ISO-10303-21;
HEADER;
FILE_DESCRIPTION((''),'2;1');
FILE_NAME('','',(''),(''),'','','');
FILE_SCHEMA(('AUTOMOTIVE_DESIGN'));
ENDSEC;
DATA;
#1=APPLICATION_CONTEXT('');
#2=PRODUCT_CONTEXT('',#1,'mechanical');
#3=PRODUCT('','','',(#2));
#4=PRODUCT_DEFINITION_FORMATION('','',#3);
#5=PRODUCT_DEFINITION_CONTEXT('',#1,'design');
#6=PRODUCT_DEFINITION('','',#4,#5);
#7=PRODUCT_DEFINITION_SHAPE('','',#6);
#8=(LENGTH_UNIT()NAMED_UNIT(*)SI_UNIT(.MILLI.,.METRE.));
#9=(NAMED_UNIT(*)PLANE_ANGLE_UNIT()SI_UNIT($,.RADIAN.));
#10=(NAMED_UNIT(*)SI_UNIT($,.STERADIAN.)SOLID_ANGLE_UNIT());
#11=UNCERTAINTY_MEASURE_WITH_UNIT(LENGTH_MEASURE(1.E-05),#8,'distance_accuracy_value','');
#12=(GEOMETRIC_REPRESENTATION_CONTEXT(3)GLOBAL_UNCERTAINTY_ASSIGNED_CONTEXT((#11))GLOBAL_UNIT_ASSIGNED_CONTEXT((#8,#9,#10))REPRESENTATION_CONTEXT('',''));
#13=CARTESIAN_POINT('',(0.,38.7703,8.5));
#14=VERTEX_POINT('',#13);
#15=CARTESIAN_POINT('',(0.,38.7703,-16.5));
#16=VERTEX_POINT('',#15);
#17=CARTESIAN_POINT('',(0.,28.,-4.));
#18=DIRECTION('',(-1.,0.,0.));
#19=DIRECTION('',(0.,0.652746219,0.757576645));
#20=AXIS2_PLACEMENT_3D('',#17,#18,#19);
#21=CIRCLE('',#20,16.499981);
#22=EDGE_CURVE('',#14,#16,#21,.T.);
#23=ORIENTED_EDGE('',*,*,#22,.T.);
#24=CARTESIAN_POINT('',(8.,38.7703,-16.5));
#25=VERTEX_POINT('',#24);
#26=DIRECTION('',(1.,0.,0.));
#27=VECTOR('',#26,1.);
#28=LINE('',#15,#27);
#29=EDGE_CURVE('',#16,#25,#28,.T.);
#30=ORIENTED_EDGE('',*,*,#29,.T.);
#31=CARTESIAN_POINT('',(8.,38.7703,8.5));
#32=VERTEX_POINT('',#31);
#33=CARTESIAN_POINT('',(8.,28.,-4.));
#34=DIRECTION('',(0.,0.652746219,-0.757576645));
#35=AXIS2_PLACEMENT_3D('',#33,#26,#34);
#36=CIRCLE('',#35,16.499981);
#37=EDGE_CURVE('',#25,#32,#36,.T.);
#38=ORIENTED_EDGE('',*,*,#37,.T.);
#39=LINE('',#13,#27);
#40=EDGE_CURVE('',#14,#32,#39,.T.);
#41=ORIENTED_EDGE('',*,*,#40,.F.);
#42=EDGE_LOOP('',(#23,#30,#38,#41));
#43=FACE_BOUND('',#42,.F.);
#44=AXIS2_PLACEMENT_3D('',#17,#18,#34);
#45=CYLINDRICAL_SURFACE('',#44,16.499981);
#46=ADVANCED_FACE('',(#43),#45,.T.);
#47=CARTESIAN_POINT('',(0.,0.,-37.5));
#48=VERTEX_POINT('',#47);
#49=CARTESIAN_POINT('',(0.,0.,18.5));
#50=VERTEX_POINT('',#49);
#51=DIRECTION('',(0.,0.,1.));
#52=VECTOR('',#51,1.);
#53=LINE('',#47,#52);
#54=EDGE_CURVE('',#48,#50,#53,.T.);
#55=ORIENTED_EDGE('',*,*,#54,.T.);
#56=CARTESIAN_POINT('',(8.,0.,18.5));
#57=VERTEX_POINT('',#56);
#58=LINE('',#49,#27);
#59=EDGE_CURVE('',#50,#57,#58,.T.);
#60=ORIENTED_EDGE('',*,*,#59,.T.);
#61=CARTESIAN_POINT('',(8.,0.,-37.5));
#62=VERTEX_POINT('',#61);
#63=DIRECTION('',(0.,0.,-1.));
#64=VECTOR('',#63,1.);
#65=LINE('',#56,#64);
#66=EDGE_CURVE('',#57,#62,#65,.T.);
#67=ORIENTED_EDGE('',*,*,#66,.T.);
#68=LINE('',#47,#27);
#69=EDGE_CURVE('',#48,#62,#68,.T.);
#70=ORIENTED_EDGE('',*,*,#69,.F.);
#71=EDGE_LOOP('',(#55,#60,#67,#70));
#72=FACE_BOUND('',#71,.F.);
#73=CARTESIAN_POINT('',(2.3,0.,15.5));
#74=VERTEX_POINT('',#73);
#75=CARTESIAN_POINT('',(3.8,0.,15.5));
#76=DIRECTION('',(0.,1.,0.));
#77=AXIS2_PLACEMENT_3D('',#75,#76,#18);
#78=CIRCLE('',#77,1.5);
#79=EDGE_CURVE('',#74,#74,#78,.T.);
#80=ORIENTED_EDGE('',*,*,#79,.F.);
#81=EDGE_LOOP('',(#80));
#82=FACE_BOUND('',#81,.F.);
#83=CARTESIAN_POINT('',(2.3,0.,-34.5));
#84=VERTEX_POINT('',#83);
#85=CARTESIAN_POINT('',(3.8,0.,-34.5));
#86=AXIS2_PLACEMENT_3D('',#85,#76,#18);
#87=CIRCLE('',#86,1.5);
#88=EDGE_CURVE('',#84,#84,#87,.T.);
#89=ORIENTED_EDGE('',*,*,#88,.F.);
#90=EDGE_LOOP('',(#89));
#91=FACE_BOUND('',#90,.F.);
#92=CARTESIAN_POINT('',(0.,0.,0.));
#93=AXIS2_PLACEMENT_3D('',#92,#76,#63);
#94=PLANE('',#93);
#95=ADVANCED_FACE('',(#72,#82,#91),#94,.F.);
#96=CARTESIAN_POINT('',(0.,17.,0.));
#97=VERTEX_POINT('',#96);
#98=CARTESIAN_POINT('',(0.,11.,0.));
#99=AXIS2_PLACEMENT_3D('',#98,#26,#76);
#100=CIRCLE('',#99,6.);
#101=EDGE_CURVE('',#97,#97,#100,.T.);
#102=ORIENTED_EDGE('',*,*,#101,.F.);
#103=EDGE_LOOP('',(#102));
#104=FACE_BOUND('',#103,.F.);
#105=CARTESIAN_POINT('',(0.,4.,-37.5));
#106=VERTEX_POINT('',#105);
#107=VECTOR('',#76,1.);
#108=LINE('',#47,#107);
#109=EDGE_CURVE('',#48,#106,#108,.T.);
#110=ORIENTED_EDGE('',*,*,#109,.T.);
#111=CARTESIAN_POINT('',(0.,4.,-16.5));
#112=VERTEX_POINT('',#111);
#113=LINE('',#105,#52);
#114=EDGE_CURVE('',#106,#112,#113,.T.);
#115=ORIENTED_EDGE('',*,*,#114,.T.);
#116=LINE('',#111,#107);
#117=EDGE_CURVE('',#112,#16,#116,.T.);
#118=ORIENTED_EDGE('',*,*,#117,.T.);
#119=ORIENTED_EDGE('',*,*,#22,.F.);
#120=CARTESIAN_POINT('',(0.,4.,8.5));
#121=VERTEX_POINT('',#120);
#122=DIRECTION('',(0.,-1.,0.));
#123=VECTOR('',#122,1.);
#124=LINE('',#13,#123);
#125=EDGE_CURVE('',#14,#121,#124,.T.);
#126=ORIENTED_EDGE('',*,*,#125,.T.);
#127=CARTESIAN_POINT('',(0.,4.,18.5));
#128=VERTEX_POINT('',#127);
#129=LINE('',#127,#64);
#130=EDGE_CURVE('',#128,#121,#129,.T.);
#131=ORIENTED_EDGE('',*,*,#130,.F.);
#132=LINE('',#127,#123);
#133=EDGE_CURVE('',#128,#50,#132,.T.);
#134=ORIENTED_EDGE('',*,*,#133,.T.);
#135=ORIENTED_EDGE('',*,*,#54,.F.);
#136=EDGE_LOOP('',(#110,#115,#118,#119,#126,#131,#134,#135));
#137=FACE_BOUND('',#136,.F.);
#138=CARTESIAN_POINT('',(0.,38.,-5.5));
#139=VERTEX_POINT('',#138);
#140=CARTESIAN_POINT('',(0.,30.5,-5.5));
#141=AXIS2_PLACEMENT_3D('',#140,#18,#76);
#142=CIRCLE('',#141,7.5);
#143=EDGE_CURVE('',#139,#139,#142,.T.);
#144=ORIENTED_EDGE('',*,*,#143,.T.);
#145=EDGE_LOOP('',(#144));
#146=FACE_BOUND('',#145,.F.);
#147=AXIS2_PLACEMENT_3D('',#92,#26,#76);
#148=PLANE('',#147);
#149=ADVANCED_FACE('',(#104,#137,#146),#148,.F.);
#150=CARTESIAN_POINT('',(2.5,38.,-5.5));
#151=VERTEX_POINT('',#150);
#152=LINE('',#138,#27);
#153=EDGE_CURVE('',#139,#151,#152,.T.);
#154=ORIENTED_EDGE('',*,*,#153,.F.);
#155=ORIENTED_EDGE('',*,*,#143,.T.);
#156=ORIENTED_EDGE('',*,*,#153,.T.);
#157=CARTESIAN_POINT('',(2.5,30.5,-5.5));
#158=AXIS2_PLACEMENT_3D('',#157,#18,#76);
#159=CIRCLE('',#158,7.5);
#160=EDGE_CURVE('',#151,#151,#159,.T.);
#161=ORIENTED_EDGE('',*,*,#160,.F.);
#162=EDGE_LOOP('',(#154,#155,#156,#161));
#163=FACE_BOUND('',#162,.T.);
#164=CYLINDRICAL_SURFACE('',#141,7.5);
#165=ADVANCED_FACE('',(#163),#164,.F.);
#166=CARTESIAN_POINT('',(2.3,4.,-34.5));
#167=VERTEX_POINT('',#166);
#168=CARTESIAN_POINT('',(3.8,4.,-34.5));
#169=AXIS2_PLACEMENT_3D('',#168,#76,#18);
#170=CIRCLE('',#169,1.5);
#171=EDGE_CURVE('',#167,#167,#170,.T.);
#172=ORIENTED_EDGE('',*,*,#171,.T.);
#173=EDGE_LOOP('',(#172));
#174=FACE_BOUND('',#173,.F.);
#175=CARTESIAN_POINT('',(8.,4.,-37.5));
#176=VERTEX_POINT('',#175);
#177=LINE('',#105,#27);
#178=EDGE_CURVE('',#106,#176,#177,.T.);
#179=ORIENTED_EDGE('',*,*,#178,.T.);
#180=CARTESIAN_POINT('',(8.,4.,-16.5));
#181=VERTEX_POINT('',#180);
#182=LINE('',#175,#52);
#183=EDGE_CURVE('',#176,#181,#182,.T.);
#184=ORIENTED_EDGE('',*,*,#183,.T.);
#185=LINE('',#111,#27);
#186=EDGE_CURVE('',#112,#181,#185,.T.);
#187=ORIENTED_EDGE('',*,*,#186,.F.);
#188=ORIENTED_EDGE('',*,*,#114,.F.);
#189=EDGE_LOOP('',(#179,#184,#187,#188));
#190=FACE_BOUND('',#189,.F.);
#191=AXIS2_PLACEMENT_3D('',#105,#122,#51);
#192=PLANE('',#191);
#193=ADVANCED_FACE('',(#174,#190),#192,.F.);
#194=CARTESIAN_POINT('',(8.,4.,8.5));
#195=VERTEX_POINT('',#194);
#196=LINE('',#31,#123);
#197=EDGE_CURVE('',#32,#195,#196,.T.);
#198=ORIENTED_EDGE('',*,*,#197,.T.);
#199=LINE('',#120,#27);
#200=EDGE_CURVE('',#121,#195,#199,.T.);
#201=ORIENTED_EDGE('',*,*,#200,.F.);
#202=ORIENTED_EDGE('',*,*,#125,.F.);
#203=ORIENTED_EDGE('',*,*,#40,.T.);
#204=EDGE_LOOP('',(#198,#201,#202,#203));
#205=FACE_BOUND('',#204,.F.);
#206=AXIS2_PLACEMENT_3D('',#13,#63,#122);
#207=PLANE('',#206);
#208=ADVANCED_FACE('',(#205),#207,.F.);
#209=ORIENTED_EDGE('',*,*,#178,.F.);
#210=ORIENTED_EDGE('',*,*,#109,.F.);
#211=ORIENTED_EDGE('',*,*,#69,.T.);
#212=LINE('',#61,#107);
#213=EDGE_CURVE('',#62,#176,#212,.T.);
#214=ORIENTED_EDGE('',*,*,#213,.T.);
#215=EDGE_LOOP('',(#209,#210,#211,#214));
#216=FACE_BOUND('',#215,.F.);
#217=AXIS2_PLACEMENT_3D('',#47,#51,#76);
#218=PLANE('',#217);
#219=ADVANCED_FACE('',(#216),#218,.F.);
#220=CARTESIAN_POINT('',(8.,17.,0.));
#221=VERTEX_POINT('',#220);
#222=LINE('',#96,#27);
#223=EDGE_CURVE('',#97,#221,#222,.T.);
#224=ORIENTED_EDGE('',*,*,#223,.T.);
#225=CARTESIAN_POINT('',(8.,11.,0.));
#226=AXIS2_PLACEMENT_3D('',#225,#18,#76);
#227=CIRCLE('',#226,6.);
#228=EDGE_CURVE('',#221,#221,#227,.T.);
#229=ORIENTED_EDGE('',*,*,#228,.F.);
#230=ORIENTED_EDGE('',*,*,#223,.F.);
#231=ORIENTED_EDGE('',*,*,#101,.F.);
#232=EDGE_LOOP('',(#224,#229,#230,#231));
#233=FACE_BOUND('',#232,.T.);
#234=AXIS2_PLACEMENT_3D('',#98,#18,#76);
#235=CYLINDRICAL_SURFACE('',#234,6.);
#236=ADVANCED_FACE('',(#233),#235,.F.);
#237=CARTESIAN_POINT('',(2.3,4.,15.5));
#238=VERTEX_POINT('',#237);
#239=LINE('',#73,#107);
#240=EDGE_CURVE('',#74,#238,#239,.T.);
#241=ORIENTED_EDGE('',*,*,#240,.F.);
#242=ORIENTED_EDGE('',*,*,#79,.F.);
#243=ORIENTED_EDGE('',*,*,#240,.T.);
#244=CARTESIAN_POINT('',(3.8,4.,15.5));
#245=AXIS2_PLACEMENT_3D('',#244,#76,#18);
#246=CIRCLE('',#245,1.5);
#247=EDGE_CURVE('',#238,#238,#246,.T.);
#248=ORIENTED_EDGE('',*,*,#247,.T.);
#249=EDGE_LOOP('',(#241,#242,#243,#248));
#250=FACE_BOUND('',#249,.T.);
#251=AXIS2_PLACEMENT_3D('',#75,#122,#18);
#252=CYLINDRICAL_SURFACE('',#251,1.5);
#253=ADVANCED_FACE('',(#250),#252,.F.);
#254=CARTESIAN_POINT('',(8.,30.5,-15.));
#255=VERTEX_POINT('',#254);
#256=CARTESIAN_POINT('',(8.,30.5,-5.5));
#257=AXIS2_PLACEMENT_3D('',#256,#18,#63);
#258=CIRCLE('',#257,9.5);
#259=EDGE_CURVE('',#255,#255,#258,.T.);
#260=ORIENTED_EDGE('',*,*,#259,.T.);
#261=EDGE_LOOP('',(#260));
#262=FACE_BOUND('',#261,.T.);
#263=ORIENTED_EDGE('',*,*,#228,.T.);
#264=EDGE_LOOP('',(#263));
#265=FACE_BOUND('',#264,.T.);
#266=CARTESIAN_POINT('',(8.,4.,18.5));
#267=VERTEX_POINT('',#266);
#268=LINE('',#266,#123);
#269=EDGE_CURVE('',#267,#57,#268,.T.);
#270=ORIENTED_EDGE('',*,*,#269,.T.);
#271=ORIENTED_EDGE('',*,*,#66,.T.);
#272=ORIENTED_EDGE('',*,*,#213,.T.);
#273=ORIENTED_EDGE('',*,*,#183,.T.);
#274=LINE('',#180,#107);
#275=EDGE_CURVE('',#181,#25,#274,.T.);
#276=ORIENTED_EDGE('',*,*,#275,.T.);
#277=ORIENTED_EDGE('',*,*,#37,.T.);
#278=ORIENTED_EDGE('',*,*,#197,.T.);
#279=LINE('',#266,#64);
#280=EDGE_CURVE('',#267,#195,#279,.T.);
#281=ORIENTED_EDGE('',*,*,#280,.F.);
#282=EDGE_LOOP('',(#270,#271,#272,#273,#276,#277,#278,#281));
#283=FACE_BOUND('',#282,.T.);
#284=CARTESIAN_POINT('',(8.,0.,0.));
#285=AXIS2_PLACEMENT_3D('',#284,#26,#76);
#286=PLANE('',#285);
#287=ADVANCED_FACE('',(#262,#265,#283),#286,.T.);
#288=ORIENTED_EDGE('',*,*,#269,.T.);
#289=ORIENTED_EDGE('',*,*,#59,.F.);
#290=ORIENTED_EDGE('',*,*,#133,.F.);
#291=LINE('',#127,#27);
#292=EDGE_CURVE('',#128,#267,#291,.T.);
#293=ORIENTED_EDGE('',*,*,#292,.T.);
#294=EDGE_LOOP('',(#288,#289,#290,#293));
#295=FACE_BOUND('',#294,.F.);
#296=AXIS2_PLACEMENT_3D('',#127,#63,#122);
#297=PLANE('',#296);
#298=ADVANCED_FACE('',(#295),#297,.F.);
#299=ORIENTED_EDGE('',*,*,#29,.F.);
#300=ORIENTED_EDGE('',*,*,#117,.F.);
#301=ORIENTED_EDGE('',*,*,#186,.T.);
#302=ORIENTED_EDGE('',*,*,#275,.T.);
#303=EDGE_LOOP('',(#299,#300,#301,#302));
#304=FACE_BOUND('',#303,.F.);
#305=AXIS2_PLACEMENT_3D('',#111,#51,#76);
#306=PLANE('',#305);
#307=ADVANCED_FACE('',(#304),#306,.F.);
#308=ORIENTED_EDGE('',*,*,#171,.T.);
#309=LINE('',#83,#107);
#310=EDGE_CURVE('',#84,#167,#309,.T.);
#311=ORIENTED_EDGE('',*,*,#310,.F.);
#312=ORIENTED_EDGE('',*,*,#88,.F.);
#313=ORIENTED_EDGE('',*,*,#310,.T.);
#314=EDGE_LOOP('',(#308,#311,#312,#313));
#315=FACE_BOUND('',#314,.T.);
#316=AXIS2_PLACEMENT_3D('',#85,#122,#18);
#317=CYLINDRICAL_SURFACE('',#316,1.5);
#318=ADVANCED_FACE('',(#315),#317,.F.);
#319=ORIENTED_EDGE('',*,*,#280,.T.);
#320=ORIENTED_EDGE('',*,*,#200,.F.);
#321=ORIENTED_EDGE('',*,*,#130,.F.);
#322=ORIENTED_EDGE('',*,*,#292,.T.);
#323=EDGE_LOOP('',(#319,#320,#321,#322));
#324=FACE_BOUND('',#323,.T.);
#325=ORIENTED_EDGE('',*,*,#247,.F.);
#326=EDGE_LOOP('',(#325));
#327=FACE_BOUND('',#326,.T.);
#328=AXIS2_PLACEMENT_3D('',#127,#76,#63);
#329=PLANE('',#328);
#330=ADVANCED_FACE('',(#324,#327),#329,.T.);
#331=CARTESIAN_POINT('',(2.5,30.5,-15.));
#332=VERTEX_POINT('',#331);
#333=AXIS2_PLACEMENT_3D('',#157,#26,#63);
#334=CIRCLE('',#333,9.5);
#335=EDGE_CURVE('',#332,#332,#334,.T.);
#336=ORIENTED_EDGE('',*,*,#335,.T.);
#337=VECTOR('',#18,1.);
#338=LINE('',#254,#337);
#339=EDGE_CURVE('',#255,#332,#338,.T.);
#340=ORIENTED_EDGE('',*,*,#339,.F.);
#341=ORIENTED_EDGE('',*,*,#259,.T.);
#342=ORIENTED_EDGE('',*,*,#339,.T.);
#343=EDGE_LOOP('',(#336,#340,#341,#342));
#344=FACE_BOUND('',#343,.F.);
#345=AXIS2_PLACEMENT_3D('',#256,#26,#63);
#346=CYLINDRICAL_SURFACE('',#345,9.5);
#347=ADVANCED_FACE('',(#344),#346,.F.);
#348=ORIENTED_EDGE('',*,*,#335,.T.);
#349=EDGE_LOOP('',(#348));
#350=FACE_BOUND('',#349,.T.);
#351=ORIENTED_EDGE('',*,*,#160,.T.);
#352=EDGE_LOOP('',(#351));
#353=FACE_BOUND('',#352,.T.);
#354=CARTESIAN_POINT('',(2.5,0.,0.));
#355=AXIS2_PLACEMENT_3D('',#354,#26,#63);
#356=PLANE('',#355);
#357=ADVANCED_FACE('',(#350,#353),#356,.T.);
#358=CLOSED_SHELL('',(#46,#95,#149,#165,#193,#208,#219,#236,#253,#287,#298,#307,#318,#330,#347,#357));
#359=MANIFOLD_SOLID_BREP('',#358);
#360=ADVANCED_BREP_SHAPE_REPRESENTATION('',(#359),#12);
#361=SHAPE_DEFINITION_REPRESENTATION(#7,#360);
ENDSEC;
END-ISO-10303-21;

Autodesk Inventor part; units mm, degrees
sketch "Sketch1" plane through (0, 0, 0) normal (1, 0, 0) x (0, 1, 0)
  circle A0 centre (11, 0) radius 6
  circle A1 centre (30.5, -5.5) radius 7.5
  line L0 (0, 29.7) -> (0, -48.7) projected
  line L1 (-8.9, 0) -> (53.4, 0) projected
  line L2 (4, 18.5) -> (0, 18.5)
  line L3 (0, -37.5) -> (4, -37.5)
  line L4 (0, 18.5) -> (0, -37.5)
  line L5 (4, 18.5) -> (4, 8.5)
  line L6 (4, -37.5) -> (4, -16.5)
  line L7 (4, -16.5) -> (38.7703, -16.5)
  line L8 (38.7703, 8.5) -> (4, 8.5)
  arc A2 (38.7703, -16.5) -> (38.7703, 8.5) centre (28, -4) ccw
  point P0 (0, 0)
  dimension "d0" = 12
  dimension "d1" = 15
  dimension "d2" = 11
  dimension "d3" = 30.5
  dimension "d4" = 0
  dimension "d5" = 5.5
  dimension "d7" = 56
  dimension "d8" = 4
  dimension "d9" = 4
  dimension "d10" = 0
  dimension "d11" = 0
  dimension "d13" = 11
  dimension "d17" = 16.5
  dimension "d18" = 18.5
  dimension "d19" = 4
  dimension "d20" = 28
  dimension "d21" = 8.5
extrude "Extrusion1" add sketch "Sketch1" along normal blind 8 contours L1 A1 A2 L7 L6 L3 L0 A0 | A0 L1 L0 L2 L5 L8 A2 A1
sketch "Sketch2" plane through (8, 0, 0) normal (1, 0, 0) x (0, 0, -1)
  circle A0 centre (5.5, 30.5) radius 9.5
  line L0 (-18.5, 0) -> (37.5, 0) projected
  line L1 (0, -8.9) -> (0, 53.4) projected
  point P0 (0, 0)
  dimension "d24" = 19
  dimension "d25" = 30.5
  dimension "d26" = 5.5
extrude "Extrusion2" cut sketch "Sketch2" against normal blind 5.5
sketch "Sketch3" plane through (0, 0, 0) normal (0, 1, 0) x (-1, 0, 0)
  circle A0 centre (-3.8, 15.5) radius 1.5
  line L0 (-8, 8.5) -> (-8, 18.5) projected
  line L1 (-9.6, 0) -> (1.6, 0) projected
  circle A1 centre (-3.8, -34.5) radius 1.5
  line L2 (-8, -37.5) -> (-8, -16.5) projected
  point P0 (0, 0)
  dimension "d29" = 3
  dimension "d30" = 4.2
  dimension "d31" = 15.5
  dimension "d32" = 3
  dimension "d33" = 4.2
  dimension "d34" = 50
extrude "Extrusion3" cut sketch "Sketch3" along normal blind 4
properties part number "support_arriere_gauche_2"
